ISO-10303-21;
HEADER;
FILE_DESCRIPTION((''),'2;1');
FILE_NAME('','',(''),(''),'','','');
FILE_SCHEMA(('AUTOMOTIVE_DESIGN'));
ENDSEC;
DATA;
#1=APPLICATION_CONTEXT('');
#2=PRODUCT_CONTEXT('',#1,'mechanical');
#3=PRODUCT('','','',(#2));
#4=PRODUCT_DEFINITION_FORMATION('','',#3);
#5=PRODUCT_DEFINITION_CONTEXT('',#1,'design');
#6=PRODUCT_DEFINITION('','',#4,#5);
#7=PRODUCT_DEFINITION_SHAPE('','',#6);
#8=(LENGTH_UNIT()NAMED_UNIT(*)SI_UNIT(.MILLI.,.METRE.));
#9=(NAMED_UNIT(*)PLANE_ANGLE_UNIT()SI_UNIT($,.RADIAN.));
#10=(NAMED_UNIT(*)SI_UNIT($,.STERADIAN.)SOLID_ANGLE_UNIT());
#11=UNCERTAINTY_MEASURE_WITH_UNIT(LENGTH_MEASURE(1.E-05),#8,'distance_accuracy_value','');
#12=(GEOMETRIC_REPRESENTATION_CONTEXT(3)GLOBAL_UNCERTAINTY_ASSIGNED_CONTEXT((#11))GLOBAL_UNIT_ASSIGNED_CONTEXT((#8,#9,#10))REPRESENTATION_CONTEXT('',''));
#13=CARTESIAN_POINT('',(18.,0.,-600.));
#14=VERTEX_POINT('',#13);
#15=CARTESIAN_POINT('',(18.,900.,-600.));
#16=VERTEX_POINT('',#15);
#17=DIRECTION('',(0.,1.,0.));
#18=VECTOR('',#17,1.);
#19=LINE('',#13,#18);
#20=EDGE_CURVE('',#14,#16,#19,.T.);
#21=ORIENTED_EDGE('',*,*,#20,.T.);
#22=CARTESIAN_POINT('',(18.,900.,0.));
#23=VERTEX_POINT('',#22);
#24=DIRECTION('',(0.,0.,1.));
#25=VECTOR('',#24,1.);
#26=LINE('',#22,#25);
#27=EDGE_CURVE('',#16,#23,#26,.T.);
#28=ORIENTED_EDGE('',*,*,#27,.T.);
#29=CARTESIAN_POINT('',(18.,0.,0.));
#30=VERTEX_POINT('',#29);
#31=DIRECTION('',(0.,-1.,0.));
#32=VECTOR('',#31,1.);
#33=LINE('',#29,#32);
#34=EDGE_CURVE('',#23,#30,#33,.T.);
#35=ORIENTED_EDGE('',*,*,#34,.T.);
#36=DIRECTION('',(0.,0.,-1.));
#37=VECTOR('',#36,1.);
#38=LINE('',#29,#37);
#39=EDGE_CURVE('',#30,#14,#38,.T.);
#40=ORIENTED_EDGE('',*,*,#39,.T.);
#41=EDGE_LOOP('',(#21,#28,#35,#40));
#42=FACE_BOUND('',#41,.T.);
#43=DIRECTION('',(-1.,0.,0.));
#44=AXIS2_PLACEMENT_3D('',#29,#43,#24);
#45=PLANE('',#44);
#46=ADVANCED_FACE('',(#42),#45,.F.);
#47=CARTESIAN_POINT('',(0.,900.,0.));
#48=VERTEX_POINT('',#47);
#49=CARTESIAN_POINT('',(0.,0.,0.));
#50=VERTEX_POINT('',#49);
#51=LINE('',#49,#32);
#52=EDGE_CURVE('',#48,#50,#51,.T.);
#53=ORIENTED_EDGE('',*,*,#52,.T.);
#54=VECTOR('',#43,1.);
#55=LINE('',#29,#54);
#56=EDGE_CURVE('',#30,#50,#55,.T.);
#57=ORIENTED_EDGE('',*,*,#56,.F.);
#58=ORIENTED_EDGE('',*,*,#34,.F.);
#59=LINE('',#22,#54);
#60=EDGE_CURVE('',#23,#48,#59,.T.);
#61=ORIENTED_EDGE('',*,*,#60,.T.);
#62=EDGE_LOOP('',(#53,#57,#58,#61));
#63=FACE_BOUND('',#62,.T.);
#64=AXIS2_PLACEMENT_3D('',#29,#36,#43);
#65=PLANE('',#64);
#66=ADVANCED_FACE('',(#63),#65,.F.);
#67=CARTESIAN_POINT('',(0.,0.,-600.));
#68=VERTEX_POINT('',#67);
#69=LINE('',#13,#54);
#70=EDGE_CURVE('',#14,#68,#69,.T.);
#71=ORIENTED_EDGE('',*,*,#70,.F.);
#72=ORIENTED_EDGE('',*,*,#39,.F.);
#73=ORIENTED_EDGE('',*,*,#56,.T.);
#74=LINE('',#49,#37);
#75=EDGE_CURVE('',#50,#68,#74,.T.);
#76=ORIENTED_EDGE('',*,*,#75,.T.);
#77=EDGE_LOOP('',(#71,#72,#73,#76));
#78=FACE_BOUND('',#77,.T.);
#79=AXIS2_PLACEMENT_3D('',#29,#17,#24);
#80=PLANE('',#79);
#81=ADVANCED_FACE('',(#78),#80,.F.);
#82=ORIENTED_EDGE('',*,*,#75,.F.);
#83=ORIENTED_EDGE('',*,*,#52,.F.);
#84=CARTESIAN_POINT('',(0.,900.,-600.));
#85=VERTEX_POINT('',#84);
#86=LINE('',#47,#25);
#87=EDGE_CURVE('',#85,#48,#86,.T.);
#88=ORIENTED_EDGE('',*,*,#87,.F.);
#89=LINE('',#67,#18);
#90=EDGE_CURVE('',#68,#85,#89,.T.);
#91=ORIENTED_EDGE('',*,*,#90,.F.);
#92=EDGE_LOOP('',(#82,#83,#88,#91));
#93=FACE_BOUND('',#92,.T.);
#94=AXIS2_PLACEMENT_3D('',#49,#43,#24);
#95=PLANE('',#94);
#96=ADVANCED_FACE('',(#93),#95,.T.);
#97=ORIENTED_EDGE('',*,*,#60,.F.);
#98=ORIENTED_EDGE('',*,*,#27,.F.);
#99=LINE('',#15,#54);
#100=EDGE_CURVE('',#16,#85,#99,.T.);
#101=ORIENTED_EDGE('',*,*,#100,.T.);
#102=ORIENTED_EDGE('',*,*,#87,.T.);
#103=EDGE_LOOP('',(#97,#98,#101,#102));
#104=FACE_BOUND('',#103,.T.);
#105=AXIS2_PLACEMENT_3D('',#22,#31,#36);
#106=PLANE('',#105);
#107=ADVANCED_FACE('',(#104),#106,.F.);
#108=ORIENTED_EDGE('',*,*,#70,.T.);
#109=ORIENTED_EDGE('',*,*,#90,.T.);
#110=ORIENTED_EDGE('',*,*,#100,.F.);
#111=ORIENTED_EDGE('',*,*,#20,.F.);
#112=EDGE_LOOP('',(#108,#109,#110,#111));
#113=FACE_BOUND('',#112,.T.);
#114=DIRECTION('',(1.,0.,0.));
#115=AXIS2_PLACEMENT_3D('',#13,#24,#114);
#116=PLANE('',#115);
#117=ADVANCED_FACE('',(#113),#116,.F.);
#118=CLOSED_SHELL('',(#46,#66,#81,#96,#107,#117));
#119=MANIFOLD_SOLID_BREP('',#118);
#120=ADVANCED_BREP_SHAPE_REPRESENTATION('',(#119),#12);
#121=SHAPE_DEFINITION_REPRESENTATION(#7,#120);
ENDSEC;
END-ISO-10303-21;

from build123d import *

# Parameters (mm, degrees)
SKETCH_1_W      = 600
SKETCH_1_H      = 900
EXTRUDE_1_DEPTH = 18


with BuildPart() as part:
    # Эскиз1 → Бобышка-Вытянуть1 (new body)
    with BuildSketch(Plane(origin=(0, 0, 0), x_dir=(0, 0, -1), z_dir=(1, 0, 0))):
        with Locations((300, 450)):
            Rectangle(SKETCH_1_W, SKETCH_1_H)
    extrude(amount=EXTRUDE_1_DEPTH)


solid = part.part
